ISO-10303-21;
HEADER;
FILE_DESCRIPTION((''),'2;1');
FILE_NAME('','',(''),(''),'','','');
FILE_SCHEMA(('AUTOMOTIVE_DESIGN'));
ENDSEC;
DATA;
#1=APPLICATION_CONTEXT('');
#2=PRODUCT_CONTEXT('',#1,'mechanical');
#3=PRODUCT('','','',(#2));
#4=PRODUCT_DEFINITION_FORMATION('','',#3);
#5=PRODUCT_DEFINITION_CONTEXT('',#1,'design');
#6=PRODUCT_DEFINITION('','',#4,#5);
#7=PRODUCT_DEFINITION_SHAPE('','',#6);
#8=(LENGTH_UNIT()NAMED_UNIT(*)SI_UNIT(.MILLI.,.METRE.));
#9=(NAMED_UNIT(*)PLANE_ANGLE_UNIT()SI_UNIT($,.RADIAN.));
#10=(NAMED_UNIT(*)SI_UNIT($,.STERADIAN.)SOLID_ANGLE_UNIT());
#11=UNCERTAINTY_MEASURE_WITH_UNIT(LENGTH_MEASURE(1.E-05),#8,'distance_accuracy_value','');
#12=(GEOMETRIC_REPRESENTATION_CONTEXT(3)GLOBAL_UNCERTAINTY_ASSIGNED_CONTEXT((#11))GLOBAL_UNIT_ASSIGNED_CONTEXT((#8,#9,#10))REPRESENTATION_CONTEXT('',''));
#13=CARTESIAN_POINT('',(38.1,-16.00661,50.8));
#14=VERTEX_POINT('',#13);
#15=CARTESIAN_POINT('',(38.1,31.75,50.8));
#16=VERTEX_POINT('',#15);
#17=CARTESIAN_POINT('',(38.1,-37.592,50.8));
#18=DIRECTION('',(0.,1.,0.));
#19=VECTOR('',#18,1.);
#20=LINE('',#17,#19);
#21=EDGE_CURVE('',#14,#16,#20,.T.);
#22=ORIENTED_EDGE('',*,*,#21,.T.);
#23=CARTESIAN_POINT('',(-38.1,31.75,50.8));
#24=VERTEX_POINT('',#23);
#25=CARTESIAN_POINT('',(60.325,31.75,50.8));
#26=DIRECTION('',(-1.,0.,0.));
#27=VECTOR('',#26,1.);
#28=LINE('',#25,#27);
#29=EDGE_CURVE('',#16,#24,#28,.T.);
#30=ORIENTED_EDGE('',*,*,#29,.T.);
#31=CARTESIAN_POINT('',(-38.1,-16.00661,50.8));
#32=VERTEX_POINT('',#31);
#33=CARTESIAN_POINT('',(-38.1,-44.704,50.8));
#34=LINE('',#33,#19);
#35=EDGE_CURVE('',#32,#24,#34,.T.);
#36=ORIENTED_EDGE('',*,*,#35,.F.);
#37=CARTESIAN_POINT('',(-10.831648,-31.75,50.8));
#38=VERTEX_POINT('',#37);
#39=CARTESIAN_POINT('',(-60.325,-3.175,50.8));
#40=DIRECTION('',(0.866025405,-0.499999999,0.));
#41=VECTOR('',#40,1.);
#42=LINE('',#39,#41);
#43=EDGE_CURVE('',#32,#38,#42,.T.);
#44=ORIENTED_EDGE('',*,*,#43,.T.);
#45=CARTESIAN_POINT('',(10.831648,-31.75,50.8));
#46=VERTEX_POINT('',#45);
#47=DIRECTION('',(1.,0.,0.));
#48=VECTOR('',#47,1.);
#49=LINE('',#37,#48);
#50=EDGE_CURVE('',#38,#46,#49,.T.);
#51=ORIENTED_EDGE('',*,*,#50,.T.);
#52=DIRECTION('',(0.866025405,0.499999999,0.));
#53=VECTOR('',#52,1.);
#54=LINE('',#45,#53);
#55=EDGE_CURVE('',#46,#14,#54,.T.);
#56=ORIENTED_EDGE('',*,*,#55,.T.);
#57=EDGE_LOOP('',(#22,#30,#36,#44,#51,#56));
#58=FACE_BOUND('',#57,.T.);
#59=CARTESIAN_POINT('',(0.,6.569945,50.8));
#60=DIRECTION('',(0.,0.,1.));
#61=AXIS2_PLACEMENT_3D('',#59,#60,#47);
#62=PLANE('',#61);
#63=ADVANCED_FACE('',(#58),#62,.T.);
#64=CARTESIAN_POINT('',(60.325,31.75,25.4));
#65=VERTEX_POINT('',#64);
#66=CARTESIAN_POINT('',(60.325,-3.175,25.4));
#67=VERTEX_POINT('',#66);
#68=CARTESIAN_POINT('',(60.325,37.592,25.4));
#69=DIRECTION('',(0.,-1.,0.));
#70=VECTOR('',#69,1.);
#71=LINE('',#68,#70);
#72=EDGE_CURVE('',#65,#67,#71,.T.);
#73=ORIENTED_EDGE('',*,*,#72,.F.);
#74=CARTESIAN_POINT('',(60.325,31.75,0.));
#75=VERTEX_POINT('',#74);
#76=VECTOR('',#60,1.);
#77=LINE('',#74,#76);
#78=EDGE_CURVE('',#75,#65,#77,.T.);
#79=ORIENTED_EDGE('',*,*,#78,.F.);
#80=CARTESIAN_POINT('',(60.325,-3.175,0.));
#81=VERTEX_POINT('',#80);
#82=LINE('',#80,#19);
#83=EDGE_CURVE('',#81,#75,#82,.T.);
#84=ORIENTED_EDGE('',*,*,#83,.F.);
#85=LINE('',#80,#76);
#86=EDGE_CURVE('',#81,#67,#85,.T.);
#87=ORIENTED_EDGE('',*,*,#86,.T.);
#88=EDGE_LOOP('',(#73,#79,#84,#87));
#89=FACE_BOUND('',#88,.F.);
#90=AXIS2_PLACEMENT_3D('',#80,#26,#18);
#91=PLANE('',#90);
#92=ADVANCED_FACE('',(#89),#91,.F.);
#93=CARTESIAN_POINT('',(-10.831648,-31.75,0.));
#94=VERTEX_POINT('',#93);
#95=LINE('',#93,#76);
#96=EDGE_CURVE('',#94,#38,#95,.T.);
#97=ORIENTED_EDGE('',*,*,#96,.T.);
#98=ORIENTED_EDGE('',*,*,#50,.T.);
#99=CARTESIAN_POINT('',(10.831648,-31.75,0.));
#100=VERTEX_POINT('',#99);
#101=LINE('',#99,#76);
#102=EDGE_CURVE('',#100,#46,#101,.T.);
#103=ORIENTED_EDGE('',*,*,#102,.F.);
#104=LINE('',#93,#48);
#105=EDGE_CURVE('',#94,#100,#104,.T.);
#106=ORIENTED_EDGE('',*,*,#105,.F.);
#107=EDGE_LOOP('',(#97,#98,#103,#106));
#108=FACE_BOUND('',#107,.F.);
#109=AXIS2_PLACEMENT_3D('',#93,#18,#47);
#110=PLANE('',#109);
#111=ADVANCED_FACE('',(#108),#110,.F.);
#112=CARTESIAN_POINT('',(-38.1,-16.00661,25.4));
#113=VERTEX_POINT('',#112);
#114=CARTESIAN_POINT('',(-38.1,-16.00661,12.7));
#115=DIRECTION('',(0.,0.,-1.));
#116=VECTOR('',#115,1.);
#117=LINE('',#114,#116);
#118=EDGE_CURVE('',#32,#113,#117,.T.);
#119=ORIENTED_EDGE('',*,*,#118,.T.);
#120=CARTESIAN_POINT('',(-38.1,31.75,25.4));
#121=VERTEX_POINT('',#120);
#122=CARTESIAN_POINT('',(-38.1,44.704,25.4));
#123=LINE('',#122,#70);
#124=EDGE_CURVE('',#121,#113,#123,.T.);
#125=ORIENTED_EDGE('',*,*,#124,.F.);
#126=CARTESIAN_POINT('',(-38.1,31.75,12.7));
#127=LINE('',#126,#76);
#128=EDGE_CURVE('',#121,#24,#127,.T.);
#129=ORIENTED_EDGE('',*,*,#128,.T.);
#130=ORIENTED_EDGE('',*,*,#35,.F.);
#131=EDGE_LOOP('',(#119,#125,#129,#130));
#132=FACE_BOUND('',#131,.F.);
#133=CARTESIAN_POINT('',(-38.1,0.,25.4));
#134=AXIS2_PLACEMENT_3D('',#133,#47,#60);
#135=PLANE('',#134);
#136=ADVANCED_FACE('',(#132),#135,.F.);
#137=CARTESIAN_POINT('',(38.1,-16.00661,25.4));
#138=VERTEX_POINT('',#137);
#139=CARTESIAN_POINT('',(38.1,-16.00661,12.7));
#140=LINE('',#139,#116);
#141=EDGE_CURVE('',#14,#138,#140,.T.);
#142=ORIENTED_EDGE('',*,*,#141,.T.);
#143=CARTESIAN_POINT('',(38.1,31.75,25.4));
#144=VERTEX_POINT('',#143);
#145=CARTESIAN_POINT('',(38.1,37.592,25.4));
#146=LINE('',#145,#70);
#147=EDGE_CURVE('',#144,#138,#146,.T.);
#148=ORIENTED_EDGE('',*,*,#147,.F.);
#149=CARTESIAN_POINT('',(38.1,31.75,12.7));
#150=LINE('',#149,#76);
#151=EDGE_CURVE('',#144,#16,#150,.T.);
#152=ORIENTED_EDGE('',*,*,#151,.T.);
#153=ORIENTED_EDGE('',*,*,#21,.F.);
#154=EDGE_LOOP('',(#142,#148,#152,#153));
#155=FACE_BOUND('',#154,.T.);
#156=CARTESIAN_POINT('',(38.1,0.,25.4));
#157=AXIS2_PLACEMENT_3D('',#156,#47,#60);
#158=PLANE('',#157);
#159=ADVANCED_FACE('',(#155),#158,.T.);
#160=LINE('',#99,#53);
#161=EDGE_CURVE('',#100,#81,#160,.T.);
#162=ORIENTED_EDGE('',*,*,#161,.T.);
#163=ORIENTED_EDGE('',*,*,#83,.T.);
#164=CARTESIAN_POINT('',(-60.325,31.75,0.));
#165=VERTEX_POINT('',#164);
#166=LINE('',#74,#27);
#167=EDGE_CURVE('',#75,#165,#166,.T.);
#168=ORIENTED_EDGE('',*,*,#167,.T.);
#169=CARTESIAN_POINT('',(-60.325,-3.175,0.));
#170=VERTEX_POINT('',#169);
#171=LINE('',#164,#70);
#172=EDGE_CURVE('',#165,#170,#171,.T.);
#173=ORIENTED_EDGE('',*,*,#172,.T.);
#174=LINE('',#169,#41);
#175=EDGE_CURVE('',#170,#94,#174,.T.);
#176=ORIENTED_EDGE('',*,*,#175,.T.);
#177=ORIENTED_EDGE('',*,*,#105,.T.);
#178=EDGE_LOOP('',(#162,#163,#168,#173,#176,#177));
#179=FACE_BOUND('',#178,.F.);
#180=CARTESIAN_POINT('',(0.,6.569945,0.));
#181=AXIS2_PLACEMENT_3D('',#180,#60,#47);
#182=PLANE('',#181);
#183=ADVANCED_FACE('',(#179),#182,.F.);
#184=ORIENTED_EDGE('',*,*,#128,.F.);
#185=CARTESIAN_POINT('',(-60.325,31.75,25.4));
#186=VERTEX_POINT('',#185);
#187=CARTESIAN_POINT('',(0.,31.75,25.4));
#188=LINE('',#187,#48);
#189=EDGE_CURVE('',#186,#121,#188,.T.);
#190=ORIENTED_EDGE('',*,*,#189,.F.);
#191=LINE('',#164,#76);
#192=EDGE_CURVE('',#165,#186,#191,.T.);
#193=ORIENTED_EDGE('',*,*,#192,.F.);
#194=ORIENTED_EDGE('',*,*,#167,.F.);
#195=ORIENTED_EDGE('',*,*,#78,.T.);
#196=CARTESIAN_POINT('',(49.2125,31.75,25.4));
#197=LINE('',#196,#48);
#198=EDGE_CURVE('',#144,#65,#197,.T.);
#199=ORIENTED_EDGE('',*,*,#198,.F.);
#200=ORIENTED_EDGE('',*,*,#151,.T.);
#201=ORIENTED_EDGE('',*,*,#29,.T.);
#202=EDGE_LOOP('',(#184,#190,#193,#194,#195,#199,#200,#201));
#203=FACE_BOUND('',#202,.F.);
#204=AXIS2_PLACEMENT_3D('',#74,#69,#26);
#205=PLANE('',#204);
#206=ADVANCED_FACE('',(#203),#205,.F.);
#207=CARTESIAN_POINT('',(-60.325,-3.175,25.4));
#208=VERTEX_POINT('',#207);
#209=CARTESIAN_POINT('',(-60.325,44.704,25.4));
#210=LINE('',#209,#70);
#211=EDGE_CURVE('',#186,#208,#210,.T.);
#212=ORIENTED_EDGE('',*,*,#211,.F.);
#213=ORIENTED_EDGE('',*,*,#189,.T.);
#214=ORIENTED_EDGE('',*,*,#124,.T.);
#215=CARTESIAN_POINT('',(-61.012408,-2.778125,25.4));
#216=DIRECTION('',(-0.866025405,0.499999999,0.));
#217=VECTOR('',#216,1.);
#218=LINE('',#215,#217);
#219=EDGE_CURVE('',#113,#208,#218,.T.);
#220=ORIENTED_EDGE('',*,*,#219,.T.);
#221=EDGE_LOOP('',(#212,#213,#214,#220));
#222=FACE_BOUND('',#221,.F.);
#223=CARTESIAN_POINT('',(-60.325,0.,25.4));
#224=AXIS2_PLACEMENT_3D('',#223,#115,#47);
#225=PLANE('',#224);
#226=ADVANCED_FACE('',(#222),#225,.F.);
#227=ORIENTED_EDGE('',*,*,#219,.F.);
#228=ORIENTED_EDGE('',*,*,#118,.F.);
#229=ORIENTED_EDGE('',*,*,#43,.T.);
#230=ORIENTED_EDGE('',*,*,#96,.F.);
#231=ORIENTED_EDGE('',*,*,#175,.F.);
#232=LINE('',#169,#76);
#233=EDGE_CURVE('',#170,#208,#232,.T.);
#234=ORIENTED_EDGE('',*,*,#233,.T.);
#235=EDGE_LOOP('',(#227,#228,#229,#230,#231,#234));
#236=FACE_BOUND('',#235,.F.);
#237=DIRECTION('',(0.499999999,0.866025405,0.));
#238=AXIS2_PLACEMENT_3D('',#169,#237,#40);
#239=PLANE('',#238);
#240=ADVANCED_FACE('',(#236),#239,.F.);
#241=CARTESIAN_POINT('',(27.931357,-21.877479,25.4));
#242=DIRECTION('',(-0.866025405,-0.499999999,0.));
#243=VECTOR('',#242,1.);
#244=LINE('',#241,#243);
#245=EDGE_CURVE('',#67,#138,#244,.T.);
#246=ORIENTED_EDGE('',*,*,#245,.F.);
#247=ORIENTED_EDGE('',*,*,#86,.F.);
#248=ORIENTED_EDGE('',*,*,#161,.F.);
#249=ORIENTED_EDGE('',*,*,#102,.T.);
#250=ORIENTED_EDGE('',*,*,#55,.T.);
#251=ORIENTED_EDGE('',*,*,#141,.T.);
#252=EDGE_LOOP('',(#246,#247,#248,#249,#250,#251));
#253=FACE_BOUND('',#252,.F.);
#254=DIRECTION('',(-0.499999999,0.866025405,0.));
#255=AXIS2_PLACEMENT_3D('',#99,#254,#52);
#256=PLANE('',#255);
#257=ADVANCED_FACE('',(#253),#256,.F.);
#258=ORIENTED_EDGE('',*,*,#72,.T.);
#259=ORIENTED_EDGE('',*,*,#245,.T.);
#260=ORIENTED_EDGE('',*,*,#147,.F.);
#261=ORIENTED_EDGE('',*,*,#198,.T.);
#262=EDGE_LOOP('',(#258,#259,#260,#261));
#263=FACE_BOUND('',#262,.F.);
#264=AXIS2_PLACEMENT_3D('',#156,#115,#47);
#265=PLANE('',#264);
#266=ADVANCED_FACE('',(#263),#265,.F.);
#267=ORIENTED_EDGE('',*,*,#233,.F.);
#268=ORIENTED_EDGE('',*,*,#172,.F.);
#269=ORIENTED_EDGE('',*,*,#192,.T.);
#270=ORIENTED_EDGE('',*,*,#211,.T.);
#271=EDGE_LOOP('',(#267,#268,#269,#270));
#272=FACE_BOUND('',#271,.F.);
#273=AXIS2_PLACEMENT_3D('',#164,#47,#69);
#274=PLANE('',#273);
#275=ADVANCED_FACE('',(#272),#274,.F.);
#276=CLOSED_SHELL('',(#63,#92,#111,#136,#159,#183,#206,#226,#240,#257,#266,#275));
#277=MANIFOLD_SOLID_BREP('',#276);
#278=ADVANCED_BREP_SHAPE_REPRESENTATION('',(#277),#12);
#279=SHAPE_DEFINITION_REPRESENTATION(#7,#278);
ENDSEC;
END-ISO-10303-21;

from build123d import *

# Parameters (mm, degrees)
F1_DEPTH = 50.8
F2_W     = 22.225
F2_H     = 25.4
F3_DEPTH = 44.704
F4_W     = 22.225
F4_H     = 25.4
F5_DEPTH = 37.592


with BuildPart() as f1:
    # F0 (on Top) → F1 (new body)
    with BuildSketch(Plane.XY):
        Polygon((60.325, 31.75), (-60.325, 31.75), (-60.325, -3.175), (-10.831648, -31.75), (10.831648, -31.75), (60.325, -3.175), align=None)
    extrude(amount=F1_DEPTH)

    # F2 (on Front) → F3 (cut, symmetric)
    with BuildSketch(Plane.XZ):
        with Locations((-49.2125, 38.1)):
            Rectangle(F2_W, F2_H)
    extrude(amount=F3_DEPTH, both=True, mode=Mode.SUBTRACT)

    # F4 (on Front) → F5 (cut, symmetric)
    with BuildSketch(Plane.XZ):
        with Locations((49.2125, 38.1)):
            Rectangle(F4_W, F4_H)
    extrude(amount=F5_DEPTH, both=True, mode=Mode.SUBTRACT)


solid = f1.part
